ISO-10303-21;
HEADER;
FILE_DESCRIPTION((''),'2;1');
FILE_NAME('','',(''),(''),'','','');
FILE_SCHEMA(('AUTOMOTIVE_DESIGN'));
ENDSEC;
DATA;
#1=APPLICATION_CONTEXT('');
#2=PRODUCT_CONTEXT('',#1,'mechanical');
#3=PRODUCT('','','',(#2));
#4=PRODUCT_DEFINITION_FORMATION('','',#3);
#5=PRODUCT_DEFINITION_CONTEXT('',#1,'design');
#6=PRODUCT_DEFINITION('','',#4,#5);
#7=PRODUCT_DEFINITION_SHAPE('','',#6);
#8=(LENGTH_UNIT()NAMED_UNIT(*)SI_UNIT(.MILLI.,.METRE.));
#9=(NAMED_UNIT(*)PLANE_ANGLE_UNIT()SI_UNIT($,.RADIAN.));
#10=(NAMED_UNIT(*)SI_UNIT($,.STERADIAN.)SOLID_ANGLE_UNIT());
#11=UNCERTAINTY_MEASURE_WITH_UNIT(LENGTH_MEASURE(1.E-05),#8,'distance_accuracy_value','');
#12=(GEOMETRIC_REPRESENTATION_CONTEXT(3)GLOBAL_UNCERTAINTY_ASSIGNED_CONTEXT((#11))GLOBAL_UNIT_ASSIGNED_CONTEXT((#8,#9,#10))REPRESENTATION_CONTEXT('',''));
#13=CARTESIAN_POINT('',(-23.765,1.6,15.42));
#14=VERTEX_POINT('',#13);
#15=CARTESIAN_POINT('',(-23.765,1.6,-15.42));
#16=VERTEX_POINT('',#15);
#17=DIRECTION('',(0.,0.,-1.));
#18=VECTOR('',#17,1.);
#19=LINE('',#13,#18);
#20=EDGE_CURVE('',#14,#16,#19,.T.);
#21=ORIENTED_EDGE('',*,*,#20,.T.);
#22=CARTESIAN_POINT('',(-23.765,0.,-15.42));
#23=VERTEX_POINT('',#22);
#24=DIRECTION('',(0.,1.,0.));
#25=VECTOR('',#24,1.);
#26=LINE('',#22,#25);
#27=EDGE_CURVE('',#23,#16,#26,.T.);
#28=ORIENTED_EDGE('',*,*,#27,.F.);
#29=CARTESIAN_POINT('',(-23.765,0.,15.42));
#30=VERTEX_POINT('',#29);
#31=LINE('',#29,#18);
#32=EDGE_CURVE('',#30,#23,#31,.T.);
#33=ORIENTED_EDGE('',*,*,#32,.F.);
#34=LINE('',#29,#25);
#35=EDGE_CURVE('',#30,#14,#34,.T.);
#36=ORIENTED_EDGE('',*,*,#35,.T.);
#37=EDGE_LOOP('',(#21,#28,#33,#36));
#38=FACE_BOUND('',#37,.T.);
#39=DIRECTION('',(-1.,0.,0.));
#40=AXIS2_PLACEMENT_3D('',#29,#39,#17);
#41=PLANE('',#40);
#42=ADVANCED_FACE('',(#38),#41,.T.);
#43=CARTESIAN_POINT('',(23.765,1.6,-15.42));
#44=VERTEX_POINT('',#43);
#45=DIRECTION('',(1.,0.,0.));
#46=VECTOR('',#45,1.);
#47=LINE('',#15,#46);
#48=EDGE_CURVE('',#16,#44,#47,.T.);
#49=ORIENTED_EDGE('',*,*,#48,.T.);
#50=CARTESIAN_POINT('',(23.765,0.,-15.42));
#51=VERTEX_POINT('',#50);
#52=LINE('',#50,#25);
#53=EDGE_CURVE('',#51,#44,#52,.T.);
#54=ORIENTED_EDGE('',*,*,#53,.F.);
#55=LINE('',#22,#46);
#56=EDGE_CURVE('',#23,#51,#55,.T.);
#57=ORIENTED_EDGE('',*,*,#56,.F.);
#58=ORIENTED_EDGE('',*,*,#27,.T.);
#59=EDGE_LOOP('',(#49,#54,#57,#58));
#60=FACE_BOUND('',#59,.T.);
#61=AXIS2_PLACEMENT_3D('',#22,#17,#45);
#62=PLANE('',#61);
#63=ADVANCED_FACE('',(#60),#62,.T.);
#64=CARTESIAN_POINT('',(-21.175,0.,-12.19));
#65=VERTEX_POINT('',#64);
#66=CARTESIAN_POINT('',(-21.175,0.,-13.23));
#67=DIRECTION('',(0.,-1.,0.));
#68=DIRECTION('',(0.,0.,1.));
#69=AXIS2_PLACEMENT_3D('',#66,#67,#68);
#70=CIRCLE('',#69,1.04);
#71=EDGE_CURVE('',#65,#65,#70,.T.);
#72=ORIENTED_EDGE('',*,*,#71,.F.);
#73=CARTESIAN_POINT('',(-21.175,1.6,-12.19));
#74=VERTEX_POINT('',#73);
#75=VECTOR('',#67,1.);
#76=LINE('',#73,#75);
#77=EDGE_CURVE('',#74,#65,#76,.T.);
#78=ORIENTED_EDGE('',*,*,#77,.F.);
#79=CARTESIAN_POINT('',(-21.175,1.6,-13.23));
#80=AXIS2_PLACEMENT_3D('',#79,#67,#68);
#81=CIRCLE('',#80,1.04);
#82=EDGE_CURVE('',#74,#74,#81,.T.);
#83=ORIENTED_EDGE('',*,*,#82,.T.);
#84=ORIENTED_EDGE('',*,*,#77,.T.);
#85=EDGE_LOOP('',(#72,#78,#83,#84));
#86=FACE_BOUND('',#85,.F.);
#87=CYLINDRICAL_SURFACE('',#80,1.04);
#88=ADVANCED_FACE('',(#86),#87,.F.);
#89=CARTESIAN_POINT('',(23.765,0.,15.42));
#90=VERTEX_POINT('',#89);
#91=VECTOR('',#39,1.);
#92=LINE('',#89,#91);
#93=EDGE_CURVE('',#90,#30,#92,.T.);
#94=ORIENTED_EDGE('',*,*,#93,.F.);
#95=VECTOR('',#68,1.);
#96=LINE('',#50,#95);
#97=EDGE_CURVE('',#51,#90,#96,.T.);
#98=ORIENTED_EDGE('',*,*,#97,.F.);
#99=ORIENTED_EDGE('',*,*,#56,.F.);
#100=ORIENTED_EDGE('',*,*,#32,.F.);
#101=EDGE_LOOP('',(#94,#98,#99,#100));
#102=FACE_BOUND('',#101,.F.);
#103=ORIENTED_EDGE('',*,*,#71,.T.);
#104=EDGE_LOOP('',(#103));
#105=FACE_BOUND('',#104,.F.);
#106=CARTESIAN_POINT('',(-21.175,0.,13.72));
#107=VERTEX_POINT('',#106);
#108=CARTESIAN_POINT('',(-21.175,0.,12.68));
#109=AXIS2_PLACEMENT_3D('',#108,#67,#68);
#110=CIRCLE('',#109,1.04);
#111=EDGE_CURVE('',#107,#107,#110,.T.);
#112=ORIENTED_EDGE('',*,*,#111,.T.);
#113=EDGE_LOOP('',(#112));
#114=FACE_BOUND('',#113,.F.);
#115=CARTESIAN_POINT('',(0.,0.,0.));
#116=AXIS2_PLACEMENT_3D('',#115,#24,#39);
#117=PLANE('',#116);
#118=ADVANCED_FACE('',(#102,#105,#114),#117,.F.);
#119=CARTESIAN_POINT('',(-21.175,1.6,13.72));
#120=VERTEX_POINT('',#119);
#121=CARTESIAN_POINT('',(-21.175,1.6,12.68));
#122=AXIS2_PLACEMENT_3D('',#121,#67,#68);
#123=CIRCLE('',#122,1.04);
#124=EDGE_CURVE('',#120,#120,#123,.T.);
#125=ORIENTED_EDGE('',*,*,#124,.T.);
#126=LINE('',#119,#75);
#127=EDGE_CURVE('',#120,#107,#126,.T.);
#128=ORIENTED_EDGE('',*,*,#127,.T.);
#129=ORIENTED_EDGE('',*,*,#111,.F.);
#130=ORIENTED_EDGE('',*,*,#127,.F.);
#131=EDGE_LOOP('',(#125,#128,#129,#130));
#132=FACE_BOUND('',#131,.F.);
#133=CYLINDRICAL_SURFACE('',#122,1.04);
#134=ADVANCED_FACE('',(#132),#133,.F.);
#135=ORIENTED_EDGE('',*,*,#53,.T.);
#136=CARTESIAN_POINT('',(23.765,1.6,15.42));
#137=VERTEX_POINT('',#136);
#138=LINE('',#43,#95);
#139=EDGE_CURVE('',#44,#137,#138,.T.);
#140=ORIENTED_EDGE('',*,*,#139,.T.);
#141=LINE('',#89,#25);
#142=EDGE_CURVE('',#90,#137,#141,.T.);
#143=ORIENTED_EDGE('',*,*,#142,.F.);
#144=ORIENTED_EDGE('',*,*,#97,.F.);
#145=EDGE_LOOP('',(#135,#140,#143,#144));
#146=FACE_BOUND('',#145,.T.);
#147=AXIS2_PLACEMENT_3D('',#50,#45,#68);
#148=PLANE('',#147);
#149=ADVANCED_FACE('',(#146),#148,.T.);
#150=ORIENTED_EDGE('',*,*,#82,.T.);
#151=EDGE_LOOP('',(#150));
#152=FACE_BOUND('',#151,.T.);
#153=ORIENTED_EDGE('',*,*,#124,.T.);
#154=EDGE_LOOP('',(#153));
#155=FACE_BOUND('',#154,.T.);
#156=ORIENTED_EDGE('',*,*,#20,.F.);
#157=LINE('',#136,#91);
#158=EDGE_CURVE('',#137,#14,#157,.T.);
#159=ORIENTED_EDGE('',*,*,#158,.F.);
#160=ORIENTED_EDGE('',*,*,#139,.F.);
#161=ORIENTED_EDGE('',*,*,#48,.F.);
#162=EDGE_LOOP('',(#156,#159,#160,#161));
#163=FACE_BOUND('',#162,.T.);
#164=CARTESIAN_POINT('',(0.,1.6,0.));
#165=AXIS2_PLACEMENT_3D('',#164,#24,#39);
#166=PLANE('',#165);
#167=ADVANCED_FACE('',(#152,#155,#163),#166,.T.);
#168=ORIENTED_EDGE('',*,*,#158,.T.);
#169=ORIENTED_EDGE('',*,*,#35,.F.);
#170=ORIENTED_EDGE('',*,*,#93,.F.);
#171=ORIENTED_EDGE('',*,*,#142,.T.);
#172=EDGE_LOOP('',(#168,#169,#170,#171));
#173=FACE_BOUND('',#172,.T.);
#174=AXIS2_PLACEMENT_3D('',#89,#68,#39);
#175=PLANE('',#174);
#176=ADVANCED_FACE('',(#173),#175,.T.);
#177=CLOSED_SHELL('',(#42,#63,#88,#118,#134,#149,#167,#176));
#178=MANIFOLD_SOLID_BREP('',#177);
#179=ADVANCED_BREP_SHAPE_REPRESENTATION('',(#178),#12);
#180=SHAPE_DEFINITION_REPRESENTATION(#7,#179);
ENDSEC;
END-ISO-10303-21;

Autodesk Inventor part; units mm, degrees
ref_plane "YZ Plane" through (0, 0, 0) normal (1, 0, 0) x (0, 1, 0)
ref_plane "XZ Plane" through (0, 0, 0) normal (0, 1, 0) x (-1, 0, 0)
ref_plane "XY Plane" through (0, 0, 0) normal (0, 0, 1) x (1, 0, 0)
sketch "Sketch1" plane through (0, 0, 0) normal (0, 1, 0) x (-1, 0, 0)
  line L0 (-23.765, 15.42) -> (23.765, 15.42)
  line L1 (23.765, 15.42) -> (23.765, -15.42)
  line L2 (23.765, -15.42) -> (-23.765, -15.42)
  line L3 (-23.765, -15.42) -> (-23.765, 15.42)
  line L4 (-23.765, 15.42) -> (23.765, -15.42) construction
  line L5 (23.765, 15.42) -> (-23.765, -15.42) construction
  point P0 (0, 0)
  dimension "d0" = 47.53
  dimension "d1" = 30.84
extrude "Extrusion1" add sketch "Sketch1" along normal blind 1.6
sketch "Sketch2" plane through (0, 1.6, 0) normal (0, 1, 0) x (1, 0, 0)
  line L0 (23.765, 15.42) -> (-23.765, 15.42) projected
  line L1 (-23.765, -15.42) -> (23.765, -15.42) projected
  line L2 (-23.765, 15.42) -> (-23.765, -15.42) projected
  point P0 (0, 0)
  point P1 (-21.175, -12.68)
  point P2 (-21.175, 13.23)
  dimension "d4" = 25.91
  dimension "d5" = 2.19
  dimension "d6" = 2.74
  dimension "d7" = 2.59
hole "Hole1" at (-21.175, 1.6, 12.68) at (-21.175, 1.6, -13.23) direction (0, -1, 0) diameter 2.08 end through all
properties part number "SD card holder"
